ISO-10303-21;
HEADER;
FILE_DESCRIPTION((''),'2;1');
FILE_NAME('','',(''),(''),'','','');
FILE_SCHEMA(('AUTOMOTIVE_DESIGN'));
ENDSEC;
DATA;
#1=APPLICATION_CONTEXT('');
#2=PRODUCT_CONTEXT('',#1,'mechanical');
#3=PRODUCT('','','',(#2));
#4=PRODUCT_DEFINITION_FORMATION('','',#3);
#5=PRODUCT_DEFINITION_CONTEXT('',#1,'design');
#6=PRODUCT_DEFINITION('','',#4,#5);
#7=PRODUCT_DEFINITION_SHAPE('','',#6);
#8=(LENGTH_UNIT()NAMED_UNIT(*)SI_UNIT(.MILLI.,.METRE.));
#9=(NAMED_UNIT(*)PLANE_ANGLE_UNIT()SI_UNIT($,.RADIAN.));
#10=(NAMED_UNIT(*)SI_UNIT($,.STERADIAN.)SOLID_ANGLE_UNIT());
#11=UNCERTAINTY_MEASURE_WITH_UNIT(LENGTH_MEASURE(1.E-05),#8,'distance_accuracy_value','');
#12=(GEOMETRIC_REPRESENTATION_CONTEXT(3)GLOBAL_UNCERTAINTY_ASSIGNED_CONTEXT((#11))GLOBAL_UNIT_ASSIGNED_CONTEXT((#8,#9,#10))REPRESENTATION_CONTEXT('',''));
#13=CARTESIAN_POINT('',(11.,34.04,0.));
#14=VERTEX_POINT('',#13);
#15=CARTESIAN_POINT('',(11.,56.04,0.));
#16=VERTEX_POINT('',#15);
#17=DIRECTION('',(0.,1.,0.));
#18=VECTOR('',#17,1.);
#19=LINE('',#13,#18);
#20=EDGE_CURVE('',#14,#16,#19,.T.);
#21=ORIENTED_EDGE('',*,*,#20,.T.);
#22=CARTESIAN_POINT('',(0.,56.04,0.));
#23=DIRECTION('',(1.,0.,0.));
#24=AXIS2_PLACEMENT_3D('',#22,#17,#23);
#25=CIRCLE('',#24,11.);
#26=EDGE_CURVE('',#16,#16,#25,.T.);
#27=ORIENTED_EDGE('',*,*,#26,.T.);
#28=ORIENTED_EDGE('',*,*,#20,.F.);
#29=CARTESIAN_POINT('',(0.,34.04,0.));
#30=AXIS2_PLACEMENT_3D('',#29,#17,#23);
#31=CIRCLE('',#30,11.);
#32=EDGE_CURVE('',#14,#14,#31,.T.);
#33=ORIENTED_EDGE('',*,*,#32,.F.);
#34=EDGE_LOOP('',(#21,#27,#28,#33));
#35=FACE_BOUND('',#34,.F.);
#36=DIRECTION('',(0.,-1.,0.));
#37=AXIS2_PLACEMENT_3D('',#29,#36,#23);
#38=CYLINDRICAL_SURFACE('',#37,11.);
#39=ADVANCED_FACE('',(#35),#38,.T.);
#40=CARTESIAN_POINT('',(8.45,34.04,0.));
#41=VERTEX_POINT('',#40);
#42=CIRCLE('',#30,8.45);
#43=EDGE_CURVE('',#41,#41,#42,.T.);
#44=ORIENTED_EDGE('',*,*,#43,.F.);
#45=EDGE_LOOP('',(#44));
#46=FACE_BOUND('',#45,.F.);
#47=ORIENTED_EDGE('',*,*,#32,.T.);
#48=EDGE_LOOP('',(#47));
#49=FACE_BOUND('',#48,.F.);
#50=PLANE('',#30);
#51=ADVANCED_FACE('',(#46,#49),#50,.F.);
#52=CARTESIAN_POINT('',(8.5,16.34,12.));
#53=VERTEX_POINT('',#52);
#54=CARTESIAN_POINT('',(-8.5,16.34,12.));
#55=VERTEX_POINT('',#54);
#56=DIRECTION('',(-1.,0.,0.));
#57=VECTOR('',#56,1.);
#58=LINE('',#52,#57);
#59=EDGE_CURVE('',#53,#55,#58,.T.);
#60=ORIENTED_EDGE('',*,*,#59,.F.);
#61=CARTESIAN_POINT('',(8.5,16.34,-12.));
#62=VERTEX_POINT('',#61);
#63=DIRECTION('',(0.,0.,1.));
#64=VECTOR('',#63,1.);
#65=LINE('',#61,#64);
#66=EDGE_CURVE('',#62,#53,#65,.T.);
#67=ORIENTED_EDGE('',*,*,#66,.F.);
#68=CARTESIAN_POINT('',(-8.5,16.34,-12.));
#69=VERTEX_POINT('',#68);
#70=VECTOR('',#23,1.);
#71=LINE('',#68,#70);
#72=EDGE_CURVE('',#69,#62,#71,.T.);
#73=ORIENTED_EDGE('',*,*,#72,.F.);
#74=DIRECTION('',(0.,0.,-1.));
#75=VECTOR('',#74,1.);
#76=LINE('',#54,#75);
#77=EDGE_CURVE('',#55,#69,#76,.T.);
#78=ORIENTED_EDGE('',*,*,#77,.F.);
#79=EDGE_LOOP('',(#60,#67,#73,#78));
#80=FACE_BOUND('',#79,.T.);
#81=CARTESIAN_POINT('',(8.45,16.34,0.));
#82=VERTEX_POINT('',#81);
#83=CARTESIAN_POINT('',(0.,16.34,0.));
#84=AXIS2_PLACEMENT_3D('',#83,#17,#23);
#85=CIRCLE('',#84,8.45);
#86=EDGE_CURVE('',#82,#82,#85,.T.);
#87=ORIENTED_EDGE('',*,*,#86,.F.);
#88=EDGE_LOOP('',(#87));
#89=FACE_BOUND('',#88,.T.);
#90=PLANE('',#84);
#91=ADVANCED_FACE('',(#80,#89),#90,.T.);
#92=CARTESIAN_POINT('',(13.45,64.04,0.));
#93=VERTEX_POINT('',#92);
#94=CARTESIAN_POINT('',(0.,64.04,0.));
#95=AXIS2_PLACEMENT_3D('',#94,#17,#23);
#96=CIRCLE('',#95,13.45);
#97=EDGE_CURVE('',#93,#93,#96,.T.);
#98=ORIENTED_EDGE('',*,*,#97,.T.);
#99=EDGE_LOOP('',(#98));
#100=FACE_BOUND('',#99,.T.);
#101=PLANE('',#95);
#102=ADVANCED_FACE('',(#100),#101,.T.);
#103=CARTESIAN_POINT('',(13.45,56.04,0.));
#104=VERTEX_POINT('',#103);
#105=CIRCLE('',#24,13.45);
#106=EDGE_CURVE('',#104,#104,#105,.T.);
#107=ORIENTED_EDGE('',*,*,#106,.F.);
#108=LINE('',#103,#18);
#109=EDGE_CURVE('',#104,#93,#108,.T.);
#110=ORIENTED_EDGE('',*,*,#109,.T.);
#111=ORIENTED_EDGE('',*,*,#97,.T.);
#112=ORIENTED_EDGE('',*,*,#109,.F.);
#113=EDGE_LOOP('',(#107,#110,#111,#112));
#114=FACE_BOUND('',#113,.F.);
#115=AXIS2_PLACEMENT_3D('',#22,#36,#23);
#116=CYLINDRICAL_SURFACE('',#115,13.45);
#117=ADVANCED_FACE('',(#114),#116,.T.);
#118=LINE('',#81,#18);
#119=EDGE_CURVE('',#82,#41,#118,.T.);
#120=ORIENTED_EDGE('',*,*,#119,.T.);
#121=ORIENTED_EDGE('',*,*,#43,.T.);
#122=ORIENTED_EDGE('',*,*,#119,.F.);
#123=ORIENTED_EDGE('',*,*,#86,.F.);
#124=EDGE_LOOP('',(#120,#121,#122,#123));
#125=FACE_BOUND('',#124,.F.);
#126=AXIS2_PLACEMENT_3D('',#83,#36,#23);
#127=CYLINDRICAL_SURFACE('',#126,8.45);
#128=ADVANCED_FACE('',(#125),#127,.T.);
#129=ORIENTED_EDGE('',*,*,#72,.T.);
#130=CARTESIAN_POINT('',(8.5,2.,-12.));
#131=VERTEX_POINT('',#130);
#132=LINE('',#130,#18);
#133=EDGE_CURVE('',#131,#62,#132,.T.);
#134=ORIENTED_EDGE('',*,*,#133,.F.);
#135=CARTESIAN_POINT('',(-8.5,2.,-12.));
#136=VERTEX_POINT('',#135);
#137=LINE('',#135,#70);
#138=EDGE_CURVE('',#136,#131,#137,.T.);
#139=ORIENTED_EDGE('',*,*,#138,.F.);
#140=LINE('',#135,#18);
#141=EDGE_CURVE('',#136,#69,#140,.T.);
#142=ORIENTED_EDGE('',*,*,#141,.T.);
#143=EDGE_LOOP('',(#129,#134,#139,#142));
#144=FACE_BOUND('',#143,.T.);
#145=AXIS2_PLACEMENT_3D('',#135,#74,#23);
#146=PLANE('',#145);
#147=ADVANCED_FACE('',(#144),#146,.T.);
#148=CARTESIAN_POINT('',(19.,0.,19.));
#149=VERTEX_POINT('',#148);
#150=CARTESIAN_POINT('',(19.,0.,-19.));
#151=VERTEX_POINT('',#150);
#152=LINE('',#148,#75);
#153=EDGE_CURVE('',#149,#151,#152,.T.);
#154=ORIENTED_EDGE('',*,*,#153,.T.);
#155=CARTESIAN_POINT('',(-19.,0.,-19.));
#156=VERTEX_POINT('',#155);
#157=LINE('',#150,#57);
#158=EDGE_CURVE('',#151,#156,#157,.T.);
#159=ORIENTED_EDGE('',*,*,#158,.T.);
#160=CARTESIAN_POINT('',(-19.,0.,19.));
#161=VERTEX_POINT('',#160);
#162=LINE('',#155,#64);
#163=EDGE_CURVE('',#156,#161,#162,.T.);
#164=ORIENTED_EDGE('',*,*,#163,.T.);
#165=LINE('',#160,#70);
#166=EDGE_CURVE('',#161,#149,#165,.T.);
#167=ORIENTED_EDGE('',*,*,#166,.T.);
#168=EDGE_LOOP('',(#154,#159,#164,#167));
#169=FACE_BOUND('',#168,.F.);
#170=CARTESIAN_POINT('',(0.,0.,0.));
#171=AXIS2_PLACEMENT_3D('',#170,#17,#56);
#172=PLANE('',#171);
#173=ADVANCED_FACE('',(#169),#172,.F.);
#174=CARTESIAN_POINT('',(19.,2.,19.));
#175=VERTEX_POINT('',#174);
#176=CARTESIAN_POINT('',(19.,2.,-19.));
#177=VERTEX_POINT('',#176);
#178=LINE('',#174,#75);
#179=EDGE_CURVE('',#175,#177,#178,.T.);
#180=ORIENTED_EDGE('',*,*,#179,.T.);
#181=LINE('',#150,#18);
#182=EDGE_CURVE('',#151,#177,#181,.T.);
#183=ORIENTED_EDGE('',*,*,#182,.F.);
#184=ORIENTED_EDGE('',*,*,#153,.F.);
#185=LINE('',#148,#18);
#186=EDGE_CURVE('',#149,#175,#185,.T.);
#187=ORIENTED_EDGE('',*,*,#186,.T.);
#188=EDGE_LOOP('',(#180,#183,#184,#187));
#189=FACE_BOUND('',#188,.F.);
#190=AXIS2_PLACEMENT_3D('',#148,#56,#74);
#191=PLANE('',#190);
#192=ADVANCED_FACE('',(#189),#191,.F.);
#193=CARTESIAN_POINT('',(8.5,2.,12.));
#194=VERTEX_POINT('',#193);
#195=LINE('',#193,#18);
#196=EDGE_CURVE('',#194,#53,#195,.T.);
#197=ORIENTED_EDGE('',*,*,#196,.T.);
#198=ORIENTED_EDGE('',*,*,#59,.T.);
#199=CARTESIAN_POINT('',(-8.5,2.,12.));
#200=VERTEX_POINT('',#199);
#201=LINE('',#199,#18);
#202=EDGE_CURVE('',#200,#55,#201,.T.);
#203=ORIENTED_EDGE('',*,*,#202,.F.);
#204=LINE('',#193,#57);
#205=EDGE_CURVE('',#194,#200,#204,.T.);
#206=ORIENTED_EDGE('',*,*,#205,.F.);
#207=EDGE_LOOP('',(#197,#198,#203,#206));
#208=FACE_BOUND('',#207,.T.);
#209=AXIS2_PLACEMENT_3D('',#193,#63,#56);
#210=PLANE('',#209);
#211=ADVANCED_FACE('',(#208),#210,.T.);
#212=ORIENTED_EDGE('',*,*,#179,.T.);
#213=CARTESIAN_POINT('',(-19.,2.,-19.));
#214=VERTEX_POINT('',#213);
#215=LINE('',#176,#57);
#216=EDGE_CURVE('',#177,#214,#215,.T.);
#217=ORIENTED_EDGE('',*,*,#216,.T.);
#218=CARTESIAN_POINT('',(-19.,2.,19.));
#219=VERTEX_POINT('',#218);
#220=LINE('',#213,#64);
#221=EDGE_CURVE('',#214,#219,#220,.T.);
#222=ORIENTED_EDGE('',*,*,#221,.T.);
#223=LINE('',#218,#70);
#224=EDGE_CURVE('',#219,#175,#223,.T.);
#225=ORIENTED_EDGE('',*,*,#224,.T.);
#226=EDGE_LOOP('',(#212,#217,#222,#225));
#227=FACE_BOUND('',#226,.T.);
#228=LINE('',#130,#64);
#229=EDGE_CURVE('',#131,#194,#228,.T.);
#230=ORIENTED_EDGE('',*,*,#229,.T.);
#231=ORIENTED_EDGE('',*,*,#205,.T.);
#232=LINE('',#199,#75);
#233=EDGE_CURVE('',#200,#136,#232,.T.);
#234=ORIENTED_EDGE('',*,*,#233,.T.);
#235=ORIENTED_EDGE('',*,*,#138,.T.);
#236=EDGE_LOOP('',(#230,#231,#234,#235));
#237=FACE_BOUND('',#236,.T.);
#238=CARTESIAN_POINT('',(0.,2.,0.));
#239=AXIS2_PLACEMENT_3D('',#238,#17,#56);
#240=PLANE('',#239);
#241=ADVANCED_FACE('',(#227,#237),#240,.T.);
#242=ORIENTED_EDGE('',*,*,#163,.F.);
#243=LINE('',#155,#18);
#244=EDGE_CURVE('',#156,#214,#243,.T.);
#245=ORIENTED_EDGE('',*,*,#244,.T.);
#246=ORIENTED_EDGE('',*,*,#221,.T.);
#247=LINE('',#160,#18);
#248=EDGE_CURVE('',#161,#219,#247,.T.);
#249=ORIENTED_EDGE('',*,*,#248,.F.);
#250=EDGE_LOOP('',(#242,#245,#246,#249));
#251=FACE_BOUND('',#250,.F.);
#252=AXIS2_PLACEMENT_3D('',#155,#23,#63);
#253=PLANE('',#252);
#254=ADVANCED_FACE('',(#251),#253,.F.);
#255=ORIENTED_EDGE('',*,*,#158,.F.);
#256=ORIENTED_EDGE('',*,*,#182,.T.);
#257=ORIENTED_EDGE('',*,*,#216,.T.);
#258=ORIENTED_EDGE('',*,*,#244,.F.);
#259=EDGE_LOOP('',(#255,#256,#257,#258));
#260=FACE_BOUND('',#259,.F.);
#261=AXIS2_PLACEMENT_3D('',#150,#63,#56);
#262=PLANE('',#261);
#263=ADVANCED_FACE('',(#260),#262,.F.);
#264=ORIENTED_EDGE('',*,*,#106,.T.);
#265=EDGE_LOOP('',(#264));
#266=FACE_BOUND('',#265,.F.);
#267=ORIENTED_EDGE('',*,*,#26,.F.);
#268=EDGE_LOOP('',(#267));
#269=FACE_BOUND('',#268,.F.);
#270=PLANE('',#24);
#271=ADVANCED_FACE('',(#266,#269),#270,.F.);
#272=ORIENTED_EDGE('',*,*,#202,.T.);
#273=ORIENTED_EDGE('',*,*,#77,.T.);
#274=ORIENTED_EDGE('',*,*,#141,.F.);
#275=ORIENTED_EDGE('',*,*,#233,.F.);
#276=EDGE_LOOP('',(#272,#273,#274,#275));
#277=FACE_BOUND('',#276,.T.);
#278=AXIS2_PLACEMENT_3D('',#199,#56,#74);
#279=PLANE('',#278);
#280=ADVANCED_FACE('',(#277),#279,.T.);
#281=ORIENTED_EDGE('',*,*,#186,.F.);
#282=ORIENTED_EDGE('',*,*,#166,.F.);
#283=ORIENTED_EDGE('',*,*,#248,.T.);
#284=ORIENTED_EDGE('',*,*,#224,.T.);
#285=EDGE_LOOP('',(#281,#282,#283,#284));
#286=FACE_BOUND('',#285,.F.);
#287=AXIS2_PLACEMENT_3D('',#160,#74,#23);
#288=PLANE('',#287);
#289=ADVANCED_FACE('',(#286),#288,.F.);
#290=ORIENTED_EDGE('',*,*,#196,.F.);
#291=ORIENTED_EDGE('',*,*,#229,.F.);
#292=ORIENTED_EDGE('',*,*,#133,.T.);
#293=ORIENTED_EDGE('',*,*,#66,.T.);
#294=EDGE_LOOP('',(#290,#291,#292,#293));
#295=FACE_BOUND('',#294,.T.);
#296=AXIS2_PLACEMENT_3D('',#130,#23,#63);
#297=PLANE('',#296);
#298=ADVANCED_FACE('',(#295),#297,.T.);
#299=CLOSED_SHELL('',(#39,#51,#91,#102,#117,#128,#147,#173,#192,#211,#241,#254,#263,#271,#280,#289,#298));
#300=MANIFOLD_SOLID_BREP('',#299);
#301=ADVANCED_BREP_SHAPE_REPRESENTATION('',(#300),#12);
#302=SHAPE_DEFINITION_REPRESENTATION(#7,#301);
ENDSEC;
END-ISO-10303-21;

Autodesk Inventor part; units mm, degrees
ref_plane "YZ Plane" through (0, 0, 0) normal (1, 0, 0) x (0, 1, 0)
ref_plane "XZ Plane" through (0, 0, 0) normal (0, 1, 0) x (-1, 0, 0)
ref_plane "XY Plane" through (0, 0, 0) normal (0, 0, 1) x (1, 0, 0)
sketch "Sketch1" plane through (0, 0, 0) normal (0, 1, 0) x (-1, 0, 0)
  line L0 (19, 19) -> (-19, 19)
  line L1 (-19, 19) -> (-19, -19)
  line L2 (-19, -19) -> (19, -19)
  line L3 (19, -19) -> (19, 19)
  line L4 (19, 19) -> (-19, -19) construction
  line L5 (-19, 19) -> (19, -19) construction
  point P0 (0, 0)
  dimension "d0" = 38
  dimension "d1" = 38
extrude "Extrusion1" add sketch "Sketch1" along normal blind 2
sketch "Sketch2" plane through (0, 2, 0) normal (0, 1, 0) x (1, 0, 0)
  line L0 (8.5, -12) -> (-8.5, -12)
  line L1 (-8.5, -12) -> (-8.5, 12)
  line L2 (-8.5, 12) -> (8.5, 12)
  line L3 (8.5, 12) -> (8.5, -12)
  line L4 (8.5, -12) -> (-8.5, 12) construction
  line L5 (-8.5, -12) -> (8.5, 12) construction
  point P0 (0, 0)
  dimension "d4" = 17
  dimension "d5" = 24
extrude "Extrusion2" add sketch "Sketch2" along normal blind 14.34
sketch "Sketch3" plane through (0, 16.34, 0) normal (0, 1, 0) x (1, 0, 0)
  circle A0 centre (0, 0) radius 8.45
  dimension "d8" = 16.9
extrude "Extrusion3" add sketch "Sketch3" along normal blind 17.7
sketch "Sketch4" plane through (0, 34.04, 0) normal (0, 1, 0) x (1, 0, 0)
  circle A0 centre (0, 0) radius 11
  dimension "d13" = 22
extrude "Extrusion4" add sketch "Sketch4" along normal blind 22
sketch "Sketch5" plane through (0, 56.04, 0) normal (0, 1, 0) x (1, 0, 0)
  circle A0 centre (0, 0) radius 13.45
  dimension "d16" = 26.9
extrude "Extrusion5" add sketch "Sketch5" along normal blind 8
properties part number "Camera"
